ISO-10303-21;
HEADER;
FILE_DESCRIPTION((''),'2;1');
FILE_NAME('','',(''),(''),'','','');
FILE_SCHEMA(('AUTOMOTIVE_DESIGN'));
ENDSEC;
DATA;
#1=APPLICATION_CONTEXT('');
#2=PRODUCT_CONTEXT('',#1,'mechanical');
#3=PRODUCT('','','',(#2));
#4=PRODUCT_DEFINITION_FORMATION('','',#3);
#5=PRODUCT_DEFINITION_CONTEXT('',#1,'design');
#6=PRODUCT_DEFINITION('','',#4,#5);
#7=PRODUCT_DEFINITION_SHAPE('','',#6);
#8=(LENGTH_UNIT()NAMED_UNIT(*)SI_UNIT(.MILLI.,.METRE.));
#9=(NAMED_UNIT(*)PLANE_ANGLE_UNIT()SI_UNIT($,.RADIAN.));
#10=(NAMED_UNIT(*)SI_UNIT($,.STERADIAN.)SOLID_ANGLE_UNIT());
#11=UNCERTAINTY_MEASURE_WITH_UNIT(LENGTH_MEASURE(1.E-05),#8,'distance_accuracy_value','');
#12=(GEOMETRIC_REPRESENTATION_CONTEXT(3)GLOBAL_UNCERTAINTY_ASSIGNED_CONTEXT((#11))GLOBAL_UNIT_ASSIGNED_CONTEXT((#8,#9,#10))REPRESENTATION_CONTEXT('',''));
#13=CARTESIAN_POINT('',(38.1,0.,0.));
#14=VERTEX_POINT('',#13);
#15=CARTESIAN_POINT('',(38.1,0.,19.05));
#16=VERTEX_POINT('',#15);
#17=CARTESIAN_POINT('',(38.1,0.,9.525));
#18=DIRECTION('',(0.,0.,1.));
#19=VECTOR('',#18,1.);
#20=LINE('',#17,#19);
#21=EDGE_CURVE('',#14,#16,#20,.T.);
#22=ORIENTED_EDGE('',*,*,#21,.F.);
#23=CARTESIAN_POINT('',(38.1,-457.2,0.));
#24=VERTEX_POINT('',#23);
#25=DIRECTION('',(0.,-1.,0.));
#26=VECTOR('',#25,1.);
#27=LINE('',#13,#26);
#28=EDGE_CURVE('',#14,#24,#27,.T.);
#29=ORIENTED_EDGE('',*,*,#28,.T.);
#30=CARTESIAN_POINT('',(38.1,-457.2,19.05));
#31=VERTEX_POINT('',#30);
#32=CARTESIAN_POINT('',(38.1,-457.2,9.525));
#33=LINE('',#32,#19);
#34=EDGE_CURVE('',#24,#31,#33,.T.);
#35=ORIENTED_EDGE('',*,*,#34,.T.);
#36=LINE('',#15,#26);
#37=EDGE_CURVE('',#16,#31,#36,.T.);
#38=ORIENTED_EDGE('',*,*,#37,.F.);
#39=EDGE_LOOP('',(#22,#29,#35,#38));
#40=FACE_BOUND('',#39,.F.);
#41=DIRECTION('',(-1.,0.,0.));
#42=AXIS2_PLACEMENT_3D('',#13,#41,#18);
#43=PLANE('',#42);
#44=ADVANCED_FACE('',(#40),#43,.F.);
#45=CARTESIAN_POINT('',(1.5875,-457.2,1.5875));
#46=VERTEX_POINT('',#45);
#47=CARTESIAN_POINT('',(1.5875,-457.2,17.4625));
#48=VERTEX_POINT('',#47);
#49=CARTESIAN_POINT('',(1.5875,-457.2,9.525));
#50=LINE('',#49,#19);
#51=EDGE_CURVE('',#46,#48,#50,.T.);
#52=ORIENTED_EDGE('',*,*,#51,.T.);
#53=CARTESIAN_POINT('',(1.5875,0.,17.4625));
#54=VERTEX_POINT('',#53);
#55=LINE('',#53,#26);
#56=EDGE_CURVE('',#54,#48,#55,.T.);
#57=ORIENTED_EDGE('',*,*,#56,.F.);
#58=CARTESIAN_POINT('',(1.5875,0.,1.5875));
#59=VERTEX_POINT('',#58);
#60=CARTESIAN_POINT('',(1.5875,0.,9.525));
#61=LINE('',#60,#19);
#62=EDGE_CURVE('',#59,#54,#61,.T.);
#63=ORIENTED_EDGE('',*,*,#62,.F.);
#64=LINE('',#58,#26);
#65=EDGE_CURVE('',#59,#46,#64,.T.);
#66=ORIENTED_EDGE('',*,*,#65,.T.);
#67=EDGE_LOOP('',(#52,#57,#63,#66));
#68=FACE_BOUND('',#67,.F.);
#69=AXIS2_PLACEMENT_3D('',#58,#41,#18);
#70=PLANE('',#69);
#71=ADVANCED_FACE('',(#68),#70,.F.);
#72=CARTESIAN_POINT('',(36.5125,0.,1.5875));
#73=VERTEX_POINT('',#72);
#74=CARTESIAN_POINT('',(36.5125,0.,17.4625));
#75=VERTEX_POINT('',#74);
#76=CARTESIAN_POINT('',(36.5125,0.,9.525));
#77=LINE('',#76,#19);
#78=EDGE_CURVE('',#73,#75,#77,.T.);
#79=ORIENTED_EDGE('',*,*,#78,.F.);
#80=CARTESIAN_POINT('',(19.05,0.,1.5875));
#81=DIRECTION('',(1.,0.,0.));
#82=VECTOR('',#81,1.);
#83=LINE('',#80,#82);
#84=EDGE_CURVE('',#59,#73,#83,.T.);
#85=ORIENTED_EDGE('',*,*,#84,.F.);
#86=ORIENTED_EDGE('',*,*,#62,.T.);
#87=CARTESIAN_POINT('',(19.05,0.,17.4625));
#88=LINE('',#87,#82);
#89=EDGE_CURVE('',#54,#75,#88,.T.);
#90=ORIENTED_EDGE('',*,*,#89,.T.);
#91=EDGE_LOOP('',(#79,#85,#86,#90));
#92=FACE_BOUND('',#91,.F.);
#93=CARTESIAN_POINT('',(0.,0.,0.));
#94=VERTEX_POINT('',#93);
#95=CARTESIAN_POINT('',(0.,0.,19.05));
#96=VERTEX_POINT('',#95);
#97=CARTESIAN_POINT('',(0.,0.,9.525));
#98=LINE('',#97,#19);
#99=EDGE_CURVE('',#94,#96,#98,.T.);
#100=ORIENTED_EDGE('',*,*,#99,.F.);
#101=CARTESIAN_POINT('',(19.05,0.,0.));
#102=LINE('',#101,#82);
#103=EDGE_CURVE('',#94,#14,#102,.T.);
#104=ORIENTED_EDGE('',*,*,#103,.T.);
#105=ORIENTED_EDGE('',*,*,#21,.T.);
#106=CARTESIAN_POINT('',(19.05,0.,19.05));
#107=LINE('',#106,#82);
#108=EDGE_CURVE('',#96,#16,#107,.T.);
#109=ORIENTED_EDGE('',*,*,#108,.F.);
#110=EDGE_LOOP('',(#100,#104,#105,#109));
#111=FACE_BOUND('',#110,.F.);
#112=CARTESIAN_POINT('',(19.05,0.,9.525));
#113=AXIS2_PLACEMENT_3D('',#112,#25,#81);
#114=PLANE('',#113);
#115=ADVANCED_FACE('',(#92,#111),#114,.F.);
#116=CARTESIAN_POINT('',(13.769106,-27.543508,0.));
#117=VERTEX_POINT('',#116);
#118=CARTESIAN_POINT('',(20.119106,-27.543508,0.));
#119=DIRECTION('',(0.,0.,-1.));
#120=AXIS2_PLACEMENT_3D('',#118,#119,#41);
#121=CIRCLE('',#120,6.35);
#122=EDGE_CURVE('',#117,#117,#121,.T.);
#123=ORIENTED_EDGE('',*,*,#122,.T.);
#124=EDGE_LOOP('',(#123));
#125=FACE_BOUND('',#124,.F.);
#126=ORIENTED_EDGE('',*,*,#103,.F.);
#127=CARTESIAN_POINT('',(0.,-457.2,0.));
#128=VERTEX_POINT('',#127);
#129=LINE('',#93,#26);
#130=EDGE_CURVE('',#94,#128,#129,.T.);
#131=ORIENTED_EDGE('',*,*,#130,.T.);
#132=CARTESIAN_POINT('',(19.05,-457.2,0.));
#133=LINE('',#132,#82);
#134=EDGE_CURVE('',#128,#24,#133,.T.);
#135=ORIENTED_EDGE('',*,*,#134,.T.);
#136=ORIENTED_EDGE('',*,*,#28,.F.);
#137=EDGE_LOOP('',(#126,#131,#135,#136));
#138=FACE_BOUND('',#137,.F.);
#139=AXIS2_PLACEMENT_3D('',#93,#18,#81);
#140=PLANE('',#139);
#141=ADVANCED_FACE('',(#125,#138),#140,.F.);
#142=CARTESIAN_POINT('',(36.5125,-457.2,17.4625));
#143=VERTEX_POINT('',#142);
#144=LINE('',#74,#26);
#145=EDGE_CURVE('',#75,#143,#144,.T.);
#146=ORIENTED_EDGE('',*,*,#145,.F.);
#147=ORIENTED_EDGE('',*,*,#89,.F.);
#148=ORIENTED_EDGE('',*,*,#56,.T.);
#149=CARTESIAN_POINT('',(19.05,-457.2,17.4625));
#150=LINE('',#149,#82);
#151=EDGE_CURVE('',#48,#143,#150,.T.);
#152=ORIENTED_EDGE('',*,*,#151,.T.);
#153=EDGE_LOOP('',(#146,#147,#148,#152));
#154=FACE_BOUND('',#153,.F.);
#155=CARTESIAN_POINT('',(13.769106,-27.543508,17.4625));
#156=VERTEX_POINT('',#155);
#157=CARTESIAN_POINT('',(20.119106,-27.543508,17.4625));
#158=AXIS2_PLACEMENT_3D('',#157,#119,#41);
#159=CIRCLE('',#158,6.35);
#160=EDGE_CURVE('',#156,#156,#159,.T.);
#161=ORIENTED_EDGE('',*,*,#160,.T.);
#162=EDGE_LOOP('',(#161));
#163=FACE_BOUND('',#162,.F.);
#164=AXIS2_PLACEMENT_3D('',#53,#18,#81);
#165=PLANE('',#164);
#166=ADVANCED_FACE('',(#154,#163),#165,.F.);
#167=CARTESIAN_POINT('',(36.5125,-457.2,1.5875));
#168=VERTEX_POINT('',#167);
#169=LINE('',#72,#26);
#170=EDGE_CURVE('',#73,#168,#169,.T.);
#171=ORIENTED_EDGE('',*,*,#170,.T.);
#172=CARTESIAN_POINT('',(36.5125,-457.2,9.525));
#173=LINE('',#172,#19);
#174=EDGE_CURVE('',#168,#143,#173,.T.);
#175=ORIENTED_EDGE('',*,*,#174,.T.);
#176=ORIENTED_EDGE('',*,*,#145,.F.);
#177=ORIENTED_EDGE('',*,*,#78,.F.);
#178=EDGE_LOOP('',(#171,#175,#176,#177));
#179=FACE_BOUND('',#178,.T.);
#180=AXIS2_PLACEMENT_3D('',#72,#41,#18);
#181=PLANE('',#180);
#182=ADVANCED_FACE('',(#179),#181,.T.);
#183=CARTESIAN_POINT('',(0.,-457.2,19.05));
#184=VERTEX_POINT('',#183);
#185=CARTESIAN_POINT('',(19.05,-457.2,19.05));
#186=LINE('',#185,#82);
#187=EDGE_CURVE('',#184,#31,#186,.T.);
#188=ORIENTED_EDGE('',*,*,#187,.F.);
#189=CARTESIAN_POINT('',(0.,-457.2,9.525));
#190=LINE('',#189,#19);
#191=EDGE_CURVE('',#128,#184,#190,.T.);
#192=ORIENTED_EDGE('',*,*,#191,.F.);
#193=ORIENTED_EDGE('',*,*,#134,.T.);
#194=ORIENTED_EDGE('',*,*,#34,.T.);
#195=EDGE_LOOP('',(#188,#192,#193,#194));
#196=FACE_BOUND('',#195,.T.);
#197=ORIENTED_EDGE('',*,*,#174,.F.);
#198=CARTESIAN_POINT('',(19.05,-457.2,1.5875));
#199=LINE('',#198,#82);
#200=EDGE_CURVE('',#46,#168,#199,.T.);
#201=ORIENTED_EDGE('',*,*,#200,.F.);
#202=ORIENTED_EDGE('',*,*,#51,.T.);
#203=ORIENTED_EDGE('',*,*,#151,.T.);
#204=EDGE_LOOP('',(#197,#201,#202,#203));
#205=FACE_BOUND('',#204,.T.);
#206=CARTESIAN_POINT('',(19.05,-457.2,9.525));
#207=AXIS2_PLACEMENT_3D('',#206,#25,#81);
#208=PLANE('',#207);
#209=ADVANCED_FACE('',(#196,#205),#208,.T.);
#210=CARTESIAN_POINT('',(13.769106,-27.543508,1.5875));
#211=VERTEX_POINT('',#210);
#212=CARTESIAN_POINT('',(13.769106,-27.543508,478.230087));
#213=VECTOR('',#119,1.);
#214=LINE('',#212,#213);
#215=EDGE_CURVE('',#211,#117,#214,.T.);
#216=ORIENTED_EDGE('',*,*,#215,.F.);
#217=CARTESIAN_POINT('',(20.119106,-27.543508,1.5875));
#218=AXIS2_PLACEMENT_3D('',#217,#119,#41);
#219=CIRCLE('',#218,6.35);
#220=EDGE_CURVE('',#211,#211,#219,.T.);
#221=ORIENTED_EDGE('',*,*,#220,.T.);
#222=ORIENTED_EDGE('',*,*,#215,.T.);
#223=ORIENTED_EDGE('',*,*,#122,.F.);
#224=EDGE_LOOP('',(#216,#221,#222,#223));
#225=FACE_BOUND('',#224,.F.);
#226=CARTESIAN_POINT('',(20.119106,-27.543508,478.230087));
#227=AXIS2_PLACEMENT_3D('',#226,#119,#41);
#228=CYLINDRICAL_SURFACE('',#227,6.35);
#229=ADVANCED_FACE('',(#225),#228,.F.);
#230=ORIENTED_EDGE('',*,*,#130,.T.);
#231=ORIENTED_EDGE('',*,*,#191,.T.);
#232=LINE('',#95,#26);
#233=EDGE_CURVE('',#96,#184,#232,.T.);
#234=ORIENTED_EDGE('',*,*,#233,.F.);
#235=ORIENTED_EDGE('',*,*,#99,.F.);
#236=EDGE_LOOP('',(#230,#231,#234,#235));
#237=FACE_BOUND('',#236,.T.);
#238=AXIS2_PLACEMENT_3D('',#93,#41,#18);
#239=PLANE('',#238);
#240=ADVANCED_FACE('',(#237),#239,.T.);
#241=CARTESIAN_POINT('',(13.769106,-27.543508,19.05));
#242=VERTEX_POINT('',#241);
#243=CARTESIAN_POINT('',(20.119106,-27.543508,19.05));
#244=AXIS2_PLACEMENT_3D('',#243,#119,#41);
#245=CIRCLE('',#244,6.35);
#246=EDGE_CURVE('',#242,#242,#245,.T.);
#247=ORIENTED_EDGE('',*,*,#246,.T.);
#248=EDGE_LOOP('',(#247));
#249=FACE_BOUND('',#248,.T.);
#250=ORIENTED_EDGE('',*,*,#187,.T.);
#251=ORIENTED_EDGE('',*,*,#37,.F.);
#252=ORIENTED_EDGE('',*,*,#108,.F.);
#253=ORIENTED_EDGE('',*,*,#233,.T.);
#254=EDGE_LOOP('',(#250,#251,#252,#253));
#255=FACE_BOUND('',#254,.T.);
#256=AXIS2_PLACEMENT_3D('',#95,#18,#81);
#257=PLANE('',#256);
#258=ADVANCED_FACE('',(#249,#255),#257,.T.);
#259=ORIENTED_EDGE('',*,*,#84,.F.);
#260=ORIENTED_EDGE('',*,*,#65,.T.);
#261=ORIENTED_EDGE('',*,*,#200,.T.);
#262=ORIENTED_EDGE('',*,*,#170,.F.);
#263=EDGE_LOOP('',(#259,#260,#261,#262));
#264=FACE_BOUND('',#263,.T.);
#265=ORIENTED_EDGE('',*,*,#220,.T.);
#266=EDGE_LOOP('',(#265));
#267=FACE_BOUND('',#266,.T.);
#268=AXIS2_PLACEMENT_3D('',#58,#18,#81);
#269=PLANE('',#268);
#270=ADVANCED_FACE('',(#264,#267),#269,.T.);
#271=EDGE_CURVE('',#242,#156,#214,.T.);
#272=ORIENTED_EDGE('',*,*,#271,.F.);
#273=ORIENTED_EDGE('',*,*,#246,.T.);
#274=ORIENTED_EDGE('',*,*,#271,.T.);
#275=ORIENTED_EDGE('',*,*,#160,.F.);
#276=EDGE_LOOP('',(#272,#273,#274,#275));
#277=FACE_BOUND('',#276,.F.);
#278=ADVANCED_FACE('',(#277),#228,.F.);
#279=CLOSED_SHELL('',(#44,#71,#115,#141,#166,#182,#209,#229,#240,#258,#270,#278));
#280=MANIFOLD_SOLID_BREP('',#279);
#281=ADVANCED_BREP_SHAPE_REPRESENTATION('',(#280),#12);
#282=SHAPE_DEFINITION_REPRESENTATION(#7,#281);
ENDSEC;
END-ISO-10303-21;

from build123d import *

# Parameters (mm, degrees)
F0_W     = 38.1
F0_H     = 19.05
F0_W_2   = 34.925
F0_H_2   = 15.875
F1_DEPTH = 457.2
F3_D     = 12.7


with BuildPart() as f1:
    # F0 (on Front) → F1 (new body)
    with BuildSketch(Plane.XZ):
        with Locations((19.05, 9.525)):
            Rectangle(F0_W, F0_H)
        with Locations((19.05, 9.525)):
            Rectangle(F0_W_2, F0_H_2, mode=Mode.SUBTRACT)
    extrude(amount=F1_DEPTH)

    # F3 (through all)
    with Locations(Plane.XY.offset(19.05)):
        with Locations((20.119106, -27.543508)):
            Hole(F3_D / 2)


solid = f1.part
